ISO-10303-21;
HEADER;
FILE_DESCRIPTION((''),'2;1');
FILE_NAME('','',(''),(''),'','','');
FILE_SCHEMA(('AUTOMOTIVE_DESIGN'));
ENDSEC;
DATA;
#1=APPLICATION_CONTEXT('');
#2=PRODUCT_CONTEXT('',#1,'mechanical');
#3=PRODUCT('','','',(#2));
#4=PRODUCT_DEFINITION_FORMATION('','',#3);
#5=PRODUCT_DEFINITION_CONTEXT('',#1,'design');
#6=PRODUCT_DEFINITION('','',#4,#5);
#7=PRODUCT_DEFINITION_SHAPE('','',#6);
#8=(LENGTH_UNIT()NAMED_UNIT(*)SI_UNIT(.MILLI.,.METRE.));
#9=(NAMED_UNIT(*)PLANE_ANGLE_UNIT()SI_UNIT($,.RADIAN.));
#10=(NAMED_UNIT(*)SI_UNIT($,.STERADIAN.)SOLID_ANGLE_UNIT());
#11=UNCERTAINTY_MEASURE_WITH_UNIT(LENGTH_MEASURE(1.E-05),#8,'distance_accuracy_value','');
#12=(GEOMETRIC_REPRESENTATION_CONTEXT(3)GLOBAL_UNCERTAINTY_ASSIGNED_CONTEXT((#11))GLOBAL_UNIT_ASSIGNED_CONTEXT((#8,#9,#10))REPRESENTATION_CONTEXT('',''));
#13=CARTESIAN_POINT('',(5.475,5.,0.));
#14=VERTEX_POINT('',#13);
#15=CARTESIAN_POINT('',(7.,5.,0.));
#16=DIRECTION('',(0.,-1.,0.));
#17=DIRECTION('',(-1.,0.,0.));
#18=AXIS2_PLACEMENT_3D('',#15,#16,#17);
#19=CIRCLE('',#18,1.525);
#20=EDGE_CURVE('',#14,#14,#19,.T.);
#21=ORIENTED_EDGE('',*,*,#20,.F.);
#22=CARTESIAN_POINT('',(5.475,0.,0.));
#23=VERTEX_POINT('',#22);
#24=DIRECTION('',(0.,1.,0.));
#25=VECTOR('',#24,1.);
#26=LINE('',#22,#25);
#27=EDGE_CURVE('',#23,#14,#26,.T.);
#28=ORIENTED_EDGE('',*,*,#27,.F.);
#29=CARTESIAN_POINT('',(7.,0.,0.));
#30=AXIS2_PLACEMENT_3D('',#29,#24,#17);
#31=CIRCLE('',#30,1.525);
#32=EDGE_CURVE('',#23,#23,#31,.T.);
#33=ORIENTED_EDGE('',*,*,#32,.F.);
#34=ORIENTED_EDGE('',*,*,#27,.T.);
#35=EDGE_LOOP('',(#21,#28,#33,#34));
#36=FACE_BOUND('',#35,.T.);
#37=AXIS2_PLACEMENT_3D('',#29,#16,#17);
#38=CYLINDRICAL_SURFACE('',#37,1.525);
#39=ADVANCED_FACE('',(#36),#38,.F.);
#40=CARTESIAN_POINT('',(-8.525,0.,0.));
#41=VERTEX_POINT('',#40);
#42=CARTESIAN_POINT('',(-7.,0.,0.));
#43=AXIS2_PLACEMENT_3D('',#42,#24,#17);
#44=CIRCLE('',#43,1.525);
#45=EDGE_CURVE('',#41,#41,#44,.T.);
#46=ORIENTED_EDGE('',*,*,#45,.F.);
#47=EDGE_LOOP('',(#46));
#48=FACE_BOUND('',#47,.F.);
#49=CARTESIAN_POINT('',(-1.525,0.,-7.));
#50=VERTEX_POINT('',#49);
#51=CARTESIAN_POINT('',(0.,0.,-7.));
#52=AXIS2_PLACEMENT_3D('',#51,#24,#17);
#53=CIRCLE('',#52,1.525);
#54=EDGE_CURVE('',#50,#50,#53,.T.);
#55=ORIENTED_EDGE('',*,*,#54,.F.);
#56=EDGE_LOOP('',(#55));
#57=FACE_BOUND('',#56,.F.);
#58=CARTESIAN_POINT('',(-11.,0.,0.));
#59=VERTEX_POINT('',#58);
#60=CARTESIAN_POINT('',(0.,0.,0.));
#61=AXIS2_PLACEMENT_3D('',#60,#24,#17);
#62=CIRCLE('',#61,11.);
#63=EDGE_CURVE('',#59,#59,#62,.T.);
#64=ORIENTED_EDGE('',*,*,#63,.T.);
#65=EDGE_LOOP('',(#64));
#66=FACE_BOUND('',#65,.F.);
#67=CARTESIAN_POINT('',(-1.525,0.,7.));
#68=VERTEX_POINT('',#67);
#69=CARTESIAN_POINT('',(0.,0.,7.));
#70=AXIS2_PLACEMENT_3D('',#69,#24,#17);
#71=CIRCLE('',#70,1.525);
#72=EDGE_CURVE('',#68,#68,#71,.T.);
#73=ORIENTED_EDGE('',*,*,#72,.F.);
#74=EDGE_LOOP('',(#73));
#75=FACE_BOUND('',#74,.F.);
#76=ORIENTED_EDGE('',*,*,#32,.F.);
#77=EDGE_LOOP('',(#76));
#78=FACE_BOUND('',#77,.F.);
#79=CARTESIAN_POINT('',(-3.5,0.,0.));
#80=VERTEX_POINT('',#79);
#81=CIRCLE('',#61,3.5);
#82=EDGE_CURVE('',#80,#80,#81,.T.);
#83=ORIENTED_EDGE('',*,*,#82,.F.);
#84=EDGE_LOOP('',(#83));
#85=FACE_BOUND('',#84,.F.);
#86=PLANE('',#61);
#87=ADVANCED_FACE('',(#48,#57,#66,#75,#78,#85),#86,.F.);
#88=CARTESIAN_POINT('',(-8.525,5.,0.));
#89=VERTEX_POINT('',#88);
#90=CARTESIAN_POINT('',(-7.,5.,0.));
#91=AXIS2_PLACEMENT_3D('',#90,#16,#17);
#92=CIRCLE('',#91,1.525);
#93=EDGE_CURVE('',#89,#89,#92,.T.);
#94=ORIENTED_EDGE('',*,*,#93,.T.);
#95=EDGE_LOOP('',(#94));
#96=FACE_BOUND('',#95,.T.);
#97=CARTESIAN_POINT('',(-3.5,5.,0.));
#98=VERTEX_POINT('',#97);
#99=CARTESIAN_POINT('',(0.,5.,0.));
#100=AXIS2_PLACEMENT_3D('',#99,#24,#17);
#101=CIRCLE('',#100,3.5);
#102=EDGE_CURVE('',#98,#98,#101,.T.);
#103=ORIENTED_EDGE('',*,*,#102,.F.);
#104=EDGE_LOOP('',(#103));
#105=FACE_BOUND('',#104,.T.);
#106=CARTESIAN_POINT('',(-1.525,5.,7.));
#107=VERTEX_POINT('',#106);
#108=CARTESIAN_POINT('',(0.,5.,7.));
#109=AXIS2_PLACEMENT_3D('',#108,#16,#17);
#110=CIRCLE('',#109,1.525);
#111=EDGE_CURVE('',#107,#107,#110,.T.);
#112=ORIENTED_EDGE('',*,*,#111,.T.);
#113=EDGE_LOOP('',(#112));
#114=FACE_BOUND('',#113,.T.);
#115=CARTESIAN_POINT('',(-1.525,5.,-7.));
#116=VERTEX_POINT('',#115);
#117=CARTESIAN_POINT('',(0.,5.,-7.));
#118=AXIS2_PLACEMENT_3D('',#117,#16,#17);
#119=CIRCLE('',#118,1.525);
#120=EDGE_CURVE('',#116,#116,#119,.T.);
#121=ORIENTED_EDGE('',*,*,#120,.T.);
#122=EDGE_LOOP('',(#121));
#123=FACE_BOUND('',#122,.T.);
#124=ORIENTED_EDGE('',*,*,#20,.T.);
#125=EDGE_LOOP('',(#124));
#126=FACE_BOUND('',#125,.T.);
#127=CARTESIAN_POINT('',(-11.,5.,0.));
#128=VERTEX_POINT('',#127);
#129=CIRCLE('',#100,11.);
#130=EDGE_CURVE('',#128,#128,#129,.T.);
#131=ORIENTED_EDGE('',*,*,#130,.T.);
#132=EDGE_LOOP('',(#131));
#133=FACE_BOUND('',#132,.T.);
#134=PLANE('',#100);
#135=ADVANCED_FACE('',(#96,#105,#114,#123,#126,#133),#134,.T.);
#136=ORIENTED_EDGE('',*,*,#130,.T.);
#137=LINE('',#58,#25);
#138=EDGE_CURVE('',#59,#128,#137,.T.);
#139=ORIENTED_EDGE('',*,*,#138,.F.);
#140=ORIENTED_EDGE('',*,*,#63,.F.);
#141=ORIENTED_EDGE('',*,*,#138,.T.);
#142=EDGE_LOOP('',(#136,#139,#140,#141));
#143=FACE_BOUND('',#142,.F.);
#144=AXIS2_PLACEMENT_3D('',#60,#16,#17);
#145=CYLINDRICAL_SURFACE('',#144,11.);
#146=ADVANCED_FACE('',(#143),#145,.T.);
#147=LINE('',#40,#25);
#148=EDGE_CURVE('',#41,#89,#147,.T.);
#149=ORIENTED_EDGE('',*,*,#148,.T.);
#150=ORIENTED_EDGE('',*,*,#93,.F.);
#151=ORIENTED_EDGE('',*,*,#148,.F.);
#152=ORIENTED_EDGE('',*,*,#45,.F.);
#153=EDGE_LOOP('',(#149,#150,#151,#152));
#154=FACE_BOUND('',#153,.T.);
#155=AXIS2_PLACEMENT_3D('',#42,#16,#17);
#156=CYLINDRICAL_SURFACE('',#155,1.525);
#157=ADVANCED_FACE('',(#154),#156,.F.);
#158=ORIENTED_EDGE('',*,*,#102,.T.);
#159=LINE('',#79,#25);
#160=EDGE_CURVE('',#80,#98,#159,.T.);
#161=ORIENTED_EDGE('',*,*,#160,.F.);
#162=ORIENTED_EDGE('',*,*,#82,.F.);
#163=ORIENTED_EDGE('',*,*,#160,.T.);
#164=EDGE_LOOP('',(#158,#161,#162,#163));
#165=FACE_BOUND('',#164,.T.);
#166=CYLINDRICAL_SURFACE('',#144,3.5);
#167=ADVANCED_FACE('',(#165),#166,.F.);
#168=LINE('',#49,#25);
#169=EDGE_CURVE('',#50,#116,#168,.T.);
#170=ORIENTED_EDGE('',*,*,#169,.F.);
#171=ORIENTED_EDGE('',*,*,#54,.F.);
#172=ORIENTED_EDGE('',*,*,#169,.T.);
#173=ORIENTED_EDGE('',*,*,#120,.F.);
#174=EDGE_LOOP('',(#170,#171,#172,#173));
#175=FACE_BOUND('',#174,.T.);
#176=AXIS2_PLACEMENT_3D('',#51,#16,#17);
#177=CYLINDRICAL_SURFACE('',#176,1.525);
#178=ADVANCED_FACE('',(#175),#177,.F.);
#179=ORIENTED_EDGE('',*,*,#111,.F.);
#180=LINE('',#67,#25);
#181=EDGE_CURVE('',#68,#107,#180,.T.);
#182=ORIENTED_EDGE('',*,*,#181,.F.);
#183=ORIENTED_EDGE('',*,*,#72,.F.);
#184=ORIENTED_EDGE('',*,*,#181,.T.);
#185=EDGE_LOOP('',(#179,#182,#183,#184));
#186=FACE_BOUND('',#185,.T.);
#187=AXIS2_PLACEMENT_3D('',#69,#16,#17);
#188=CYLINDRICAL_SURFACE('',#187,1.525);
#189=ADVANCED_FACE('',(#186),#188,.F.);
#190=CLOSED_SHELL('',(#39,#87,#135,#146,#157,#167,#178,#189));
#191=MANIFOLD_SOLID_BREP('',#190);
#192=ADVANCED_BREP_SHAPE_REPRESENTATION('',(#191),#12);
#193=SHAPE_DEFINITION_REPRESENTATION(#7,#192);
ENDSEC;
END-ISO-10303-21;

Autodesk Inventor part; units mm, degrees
ref_plane "YZ Plane" through (0, 0, 0) normal (1, 0, 0) x (0, 1, 0)
ref_plane "XZ Plane" through (0, 0, 0) normal (0, 1, 0) x (-1, 0, 0)
ref_plane "XY Plane" through (0, 0, 0) normal (0, 0, 1) x (1, 0, 0)
sketch "草图1" plane through (0, 0, 0) normal (0, 1, 0) x (-1, 0, 0)
  circle A0 centre (0, 0) radius 11
  circle A1 centre (0, 0) radius 7
  circle A2 centre (0, 0) radius 3.5
  circle A3 centre (7, 0) radius 1.525
  circle A4 centre (0, 7) radius 1.525
  line L0 (0, 0) -> (2.2993, 0)
  line L1 (0, 0) -> (0, -1.9489)
  circle A5 centre (0, -7) radius 1.525
  circle A6 centre (-7, 0) radius 1.525
  dimension "d0" = 22
  dimension "d1" = 14
  dimension "d2" = 7
  dimension "d3" = 3.05
  dimension "d4" = 3.05
extrude "拉伸1" add sketch "草图1" along normal blind 5 contours A0 | A3 A1 A5 A6 A4
properties part number "leg5"
